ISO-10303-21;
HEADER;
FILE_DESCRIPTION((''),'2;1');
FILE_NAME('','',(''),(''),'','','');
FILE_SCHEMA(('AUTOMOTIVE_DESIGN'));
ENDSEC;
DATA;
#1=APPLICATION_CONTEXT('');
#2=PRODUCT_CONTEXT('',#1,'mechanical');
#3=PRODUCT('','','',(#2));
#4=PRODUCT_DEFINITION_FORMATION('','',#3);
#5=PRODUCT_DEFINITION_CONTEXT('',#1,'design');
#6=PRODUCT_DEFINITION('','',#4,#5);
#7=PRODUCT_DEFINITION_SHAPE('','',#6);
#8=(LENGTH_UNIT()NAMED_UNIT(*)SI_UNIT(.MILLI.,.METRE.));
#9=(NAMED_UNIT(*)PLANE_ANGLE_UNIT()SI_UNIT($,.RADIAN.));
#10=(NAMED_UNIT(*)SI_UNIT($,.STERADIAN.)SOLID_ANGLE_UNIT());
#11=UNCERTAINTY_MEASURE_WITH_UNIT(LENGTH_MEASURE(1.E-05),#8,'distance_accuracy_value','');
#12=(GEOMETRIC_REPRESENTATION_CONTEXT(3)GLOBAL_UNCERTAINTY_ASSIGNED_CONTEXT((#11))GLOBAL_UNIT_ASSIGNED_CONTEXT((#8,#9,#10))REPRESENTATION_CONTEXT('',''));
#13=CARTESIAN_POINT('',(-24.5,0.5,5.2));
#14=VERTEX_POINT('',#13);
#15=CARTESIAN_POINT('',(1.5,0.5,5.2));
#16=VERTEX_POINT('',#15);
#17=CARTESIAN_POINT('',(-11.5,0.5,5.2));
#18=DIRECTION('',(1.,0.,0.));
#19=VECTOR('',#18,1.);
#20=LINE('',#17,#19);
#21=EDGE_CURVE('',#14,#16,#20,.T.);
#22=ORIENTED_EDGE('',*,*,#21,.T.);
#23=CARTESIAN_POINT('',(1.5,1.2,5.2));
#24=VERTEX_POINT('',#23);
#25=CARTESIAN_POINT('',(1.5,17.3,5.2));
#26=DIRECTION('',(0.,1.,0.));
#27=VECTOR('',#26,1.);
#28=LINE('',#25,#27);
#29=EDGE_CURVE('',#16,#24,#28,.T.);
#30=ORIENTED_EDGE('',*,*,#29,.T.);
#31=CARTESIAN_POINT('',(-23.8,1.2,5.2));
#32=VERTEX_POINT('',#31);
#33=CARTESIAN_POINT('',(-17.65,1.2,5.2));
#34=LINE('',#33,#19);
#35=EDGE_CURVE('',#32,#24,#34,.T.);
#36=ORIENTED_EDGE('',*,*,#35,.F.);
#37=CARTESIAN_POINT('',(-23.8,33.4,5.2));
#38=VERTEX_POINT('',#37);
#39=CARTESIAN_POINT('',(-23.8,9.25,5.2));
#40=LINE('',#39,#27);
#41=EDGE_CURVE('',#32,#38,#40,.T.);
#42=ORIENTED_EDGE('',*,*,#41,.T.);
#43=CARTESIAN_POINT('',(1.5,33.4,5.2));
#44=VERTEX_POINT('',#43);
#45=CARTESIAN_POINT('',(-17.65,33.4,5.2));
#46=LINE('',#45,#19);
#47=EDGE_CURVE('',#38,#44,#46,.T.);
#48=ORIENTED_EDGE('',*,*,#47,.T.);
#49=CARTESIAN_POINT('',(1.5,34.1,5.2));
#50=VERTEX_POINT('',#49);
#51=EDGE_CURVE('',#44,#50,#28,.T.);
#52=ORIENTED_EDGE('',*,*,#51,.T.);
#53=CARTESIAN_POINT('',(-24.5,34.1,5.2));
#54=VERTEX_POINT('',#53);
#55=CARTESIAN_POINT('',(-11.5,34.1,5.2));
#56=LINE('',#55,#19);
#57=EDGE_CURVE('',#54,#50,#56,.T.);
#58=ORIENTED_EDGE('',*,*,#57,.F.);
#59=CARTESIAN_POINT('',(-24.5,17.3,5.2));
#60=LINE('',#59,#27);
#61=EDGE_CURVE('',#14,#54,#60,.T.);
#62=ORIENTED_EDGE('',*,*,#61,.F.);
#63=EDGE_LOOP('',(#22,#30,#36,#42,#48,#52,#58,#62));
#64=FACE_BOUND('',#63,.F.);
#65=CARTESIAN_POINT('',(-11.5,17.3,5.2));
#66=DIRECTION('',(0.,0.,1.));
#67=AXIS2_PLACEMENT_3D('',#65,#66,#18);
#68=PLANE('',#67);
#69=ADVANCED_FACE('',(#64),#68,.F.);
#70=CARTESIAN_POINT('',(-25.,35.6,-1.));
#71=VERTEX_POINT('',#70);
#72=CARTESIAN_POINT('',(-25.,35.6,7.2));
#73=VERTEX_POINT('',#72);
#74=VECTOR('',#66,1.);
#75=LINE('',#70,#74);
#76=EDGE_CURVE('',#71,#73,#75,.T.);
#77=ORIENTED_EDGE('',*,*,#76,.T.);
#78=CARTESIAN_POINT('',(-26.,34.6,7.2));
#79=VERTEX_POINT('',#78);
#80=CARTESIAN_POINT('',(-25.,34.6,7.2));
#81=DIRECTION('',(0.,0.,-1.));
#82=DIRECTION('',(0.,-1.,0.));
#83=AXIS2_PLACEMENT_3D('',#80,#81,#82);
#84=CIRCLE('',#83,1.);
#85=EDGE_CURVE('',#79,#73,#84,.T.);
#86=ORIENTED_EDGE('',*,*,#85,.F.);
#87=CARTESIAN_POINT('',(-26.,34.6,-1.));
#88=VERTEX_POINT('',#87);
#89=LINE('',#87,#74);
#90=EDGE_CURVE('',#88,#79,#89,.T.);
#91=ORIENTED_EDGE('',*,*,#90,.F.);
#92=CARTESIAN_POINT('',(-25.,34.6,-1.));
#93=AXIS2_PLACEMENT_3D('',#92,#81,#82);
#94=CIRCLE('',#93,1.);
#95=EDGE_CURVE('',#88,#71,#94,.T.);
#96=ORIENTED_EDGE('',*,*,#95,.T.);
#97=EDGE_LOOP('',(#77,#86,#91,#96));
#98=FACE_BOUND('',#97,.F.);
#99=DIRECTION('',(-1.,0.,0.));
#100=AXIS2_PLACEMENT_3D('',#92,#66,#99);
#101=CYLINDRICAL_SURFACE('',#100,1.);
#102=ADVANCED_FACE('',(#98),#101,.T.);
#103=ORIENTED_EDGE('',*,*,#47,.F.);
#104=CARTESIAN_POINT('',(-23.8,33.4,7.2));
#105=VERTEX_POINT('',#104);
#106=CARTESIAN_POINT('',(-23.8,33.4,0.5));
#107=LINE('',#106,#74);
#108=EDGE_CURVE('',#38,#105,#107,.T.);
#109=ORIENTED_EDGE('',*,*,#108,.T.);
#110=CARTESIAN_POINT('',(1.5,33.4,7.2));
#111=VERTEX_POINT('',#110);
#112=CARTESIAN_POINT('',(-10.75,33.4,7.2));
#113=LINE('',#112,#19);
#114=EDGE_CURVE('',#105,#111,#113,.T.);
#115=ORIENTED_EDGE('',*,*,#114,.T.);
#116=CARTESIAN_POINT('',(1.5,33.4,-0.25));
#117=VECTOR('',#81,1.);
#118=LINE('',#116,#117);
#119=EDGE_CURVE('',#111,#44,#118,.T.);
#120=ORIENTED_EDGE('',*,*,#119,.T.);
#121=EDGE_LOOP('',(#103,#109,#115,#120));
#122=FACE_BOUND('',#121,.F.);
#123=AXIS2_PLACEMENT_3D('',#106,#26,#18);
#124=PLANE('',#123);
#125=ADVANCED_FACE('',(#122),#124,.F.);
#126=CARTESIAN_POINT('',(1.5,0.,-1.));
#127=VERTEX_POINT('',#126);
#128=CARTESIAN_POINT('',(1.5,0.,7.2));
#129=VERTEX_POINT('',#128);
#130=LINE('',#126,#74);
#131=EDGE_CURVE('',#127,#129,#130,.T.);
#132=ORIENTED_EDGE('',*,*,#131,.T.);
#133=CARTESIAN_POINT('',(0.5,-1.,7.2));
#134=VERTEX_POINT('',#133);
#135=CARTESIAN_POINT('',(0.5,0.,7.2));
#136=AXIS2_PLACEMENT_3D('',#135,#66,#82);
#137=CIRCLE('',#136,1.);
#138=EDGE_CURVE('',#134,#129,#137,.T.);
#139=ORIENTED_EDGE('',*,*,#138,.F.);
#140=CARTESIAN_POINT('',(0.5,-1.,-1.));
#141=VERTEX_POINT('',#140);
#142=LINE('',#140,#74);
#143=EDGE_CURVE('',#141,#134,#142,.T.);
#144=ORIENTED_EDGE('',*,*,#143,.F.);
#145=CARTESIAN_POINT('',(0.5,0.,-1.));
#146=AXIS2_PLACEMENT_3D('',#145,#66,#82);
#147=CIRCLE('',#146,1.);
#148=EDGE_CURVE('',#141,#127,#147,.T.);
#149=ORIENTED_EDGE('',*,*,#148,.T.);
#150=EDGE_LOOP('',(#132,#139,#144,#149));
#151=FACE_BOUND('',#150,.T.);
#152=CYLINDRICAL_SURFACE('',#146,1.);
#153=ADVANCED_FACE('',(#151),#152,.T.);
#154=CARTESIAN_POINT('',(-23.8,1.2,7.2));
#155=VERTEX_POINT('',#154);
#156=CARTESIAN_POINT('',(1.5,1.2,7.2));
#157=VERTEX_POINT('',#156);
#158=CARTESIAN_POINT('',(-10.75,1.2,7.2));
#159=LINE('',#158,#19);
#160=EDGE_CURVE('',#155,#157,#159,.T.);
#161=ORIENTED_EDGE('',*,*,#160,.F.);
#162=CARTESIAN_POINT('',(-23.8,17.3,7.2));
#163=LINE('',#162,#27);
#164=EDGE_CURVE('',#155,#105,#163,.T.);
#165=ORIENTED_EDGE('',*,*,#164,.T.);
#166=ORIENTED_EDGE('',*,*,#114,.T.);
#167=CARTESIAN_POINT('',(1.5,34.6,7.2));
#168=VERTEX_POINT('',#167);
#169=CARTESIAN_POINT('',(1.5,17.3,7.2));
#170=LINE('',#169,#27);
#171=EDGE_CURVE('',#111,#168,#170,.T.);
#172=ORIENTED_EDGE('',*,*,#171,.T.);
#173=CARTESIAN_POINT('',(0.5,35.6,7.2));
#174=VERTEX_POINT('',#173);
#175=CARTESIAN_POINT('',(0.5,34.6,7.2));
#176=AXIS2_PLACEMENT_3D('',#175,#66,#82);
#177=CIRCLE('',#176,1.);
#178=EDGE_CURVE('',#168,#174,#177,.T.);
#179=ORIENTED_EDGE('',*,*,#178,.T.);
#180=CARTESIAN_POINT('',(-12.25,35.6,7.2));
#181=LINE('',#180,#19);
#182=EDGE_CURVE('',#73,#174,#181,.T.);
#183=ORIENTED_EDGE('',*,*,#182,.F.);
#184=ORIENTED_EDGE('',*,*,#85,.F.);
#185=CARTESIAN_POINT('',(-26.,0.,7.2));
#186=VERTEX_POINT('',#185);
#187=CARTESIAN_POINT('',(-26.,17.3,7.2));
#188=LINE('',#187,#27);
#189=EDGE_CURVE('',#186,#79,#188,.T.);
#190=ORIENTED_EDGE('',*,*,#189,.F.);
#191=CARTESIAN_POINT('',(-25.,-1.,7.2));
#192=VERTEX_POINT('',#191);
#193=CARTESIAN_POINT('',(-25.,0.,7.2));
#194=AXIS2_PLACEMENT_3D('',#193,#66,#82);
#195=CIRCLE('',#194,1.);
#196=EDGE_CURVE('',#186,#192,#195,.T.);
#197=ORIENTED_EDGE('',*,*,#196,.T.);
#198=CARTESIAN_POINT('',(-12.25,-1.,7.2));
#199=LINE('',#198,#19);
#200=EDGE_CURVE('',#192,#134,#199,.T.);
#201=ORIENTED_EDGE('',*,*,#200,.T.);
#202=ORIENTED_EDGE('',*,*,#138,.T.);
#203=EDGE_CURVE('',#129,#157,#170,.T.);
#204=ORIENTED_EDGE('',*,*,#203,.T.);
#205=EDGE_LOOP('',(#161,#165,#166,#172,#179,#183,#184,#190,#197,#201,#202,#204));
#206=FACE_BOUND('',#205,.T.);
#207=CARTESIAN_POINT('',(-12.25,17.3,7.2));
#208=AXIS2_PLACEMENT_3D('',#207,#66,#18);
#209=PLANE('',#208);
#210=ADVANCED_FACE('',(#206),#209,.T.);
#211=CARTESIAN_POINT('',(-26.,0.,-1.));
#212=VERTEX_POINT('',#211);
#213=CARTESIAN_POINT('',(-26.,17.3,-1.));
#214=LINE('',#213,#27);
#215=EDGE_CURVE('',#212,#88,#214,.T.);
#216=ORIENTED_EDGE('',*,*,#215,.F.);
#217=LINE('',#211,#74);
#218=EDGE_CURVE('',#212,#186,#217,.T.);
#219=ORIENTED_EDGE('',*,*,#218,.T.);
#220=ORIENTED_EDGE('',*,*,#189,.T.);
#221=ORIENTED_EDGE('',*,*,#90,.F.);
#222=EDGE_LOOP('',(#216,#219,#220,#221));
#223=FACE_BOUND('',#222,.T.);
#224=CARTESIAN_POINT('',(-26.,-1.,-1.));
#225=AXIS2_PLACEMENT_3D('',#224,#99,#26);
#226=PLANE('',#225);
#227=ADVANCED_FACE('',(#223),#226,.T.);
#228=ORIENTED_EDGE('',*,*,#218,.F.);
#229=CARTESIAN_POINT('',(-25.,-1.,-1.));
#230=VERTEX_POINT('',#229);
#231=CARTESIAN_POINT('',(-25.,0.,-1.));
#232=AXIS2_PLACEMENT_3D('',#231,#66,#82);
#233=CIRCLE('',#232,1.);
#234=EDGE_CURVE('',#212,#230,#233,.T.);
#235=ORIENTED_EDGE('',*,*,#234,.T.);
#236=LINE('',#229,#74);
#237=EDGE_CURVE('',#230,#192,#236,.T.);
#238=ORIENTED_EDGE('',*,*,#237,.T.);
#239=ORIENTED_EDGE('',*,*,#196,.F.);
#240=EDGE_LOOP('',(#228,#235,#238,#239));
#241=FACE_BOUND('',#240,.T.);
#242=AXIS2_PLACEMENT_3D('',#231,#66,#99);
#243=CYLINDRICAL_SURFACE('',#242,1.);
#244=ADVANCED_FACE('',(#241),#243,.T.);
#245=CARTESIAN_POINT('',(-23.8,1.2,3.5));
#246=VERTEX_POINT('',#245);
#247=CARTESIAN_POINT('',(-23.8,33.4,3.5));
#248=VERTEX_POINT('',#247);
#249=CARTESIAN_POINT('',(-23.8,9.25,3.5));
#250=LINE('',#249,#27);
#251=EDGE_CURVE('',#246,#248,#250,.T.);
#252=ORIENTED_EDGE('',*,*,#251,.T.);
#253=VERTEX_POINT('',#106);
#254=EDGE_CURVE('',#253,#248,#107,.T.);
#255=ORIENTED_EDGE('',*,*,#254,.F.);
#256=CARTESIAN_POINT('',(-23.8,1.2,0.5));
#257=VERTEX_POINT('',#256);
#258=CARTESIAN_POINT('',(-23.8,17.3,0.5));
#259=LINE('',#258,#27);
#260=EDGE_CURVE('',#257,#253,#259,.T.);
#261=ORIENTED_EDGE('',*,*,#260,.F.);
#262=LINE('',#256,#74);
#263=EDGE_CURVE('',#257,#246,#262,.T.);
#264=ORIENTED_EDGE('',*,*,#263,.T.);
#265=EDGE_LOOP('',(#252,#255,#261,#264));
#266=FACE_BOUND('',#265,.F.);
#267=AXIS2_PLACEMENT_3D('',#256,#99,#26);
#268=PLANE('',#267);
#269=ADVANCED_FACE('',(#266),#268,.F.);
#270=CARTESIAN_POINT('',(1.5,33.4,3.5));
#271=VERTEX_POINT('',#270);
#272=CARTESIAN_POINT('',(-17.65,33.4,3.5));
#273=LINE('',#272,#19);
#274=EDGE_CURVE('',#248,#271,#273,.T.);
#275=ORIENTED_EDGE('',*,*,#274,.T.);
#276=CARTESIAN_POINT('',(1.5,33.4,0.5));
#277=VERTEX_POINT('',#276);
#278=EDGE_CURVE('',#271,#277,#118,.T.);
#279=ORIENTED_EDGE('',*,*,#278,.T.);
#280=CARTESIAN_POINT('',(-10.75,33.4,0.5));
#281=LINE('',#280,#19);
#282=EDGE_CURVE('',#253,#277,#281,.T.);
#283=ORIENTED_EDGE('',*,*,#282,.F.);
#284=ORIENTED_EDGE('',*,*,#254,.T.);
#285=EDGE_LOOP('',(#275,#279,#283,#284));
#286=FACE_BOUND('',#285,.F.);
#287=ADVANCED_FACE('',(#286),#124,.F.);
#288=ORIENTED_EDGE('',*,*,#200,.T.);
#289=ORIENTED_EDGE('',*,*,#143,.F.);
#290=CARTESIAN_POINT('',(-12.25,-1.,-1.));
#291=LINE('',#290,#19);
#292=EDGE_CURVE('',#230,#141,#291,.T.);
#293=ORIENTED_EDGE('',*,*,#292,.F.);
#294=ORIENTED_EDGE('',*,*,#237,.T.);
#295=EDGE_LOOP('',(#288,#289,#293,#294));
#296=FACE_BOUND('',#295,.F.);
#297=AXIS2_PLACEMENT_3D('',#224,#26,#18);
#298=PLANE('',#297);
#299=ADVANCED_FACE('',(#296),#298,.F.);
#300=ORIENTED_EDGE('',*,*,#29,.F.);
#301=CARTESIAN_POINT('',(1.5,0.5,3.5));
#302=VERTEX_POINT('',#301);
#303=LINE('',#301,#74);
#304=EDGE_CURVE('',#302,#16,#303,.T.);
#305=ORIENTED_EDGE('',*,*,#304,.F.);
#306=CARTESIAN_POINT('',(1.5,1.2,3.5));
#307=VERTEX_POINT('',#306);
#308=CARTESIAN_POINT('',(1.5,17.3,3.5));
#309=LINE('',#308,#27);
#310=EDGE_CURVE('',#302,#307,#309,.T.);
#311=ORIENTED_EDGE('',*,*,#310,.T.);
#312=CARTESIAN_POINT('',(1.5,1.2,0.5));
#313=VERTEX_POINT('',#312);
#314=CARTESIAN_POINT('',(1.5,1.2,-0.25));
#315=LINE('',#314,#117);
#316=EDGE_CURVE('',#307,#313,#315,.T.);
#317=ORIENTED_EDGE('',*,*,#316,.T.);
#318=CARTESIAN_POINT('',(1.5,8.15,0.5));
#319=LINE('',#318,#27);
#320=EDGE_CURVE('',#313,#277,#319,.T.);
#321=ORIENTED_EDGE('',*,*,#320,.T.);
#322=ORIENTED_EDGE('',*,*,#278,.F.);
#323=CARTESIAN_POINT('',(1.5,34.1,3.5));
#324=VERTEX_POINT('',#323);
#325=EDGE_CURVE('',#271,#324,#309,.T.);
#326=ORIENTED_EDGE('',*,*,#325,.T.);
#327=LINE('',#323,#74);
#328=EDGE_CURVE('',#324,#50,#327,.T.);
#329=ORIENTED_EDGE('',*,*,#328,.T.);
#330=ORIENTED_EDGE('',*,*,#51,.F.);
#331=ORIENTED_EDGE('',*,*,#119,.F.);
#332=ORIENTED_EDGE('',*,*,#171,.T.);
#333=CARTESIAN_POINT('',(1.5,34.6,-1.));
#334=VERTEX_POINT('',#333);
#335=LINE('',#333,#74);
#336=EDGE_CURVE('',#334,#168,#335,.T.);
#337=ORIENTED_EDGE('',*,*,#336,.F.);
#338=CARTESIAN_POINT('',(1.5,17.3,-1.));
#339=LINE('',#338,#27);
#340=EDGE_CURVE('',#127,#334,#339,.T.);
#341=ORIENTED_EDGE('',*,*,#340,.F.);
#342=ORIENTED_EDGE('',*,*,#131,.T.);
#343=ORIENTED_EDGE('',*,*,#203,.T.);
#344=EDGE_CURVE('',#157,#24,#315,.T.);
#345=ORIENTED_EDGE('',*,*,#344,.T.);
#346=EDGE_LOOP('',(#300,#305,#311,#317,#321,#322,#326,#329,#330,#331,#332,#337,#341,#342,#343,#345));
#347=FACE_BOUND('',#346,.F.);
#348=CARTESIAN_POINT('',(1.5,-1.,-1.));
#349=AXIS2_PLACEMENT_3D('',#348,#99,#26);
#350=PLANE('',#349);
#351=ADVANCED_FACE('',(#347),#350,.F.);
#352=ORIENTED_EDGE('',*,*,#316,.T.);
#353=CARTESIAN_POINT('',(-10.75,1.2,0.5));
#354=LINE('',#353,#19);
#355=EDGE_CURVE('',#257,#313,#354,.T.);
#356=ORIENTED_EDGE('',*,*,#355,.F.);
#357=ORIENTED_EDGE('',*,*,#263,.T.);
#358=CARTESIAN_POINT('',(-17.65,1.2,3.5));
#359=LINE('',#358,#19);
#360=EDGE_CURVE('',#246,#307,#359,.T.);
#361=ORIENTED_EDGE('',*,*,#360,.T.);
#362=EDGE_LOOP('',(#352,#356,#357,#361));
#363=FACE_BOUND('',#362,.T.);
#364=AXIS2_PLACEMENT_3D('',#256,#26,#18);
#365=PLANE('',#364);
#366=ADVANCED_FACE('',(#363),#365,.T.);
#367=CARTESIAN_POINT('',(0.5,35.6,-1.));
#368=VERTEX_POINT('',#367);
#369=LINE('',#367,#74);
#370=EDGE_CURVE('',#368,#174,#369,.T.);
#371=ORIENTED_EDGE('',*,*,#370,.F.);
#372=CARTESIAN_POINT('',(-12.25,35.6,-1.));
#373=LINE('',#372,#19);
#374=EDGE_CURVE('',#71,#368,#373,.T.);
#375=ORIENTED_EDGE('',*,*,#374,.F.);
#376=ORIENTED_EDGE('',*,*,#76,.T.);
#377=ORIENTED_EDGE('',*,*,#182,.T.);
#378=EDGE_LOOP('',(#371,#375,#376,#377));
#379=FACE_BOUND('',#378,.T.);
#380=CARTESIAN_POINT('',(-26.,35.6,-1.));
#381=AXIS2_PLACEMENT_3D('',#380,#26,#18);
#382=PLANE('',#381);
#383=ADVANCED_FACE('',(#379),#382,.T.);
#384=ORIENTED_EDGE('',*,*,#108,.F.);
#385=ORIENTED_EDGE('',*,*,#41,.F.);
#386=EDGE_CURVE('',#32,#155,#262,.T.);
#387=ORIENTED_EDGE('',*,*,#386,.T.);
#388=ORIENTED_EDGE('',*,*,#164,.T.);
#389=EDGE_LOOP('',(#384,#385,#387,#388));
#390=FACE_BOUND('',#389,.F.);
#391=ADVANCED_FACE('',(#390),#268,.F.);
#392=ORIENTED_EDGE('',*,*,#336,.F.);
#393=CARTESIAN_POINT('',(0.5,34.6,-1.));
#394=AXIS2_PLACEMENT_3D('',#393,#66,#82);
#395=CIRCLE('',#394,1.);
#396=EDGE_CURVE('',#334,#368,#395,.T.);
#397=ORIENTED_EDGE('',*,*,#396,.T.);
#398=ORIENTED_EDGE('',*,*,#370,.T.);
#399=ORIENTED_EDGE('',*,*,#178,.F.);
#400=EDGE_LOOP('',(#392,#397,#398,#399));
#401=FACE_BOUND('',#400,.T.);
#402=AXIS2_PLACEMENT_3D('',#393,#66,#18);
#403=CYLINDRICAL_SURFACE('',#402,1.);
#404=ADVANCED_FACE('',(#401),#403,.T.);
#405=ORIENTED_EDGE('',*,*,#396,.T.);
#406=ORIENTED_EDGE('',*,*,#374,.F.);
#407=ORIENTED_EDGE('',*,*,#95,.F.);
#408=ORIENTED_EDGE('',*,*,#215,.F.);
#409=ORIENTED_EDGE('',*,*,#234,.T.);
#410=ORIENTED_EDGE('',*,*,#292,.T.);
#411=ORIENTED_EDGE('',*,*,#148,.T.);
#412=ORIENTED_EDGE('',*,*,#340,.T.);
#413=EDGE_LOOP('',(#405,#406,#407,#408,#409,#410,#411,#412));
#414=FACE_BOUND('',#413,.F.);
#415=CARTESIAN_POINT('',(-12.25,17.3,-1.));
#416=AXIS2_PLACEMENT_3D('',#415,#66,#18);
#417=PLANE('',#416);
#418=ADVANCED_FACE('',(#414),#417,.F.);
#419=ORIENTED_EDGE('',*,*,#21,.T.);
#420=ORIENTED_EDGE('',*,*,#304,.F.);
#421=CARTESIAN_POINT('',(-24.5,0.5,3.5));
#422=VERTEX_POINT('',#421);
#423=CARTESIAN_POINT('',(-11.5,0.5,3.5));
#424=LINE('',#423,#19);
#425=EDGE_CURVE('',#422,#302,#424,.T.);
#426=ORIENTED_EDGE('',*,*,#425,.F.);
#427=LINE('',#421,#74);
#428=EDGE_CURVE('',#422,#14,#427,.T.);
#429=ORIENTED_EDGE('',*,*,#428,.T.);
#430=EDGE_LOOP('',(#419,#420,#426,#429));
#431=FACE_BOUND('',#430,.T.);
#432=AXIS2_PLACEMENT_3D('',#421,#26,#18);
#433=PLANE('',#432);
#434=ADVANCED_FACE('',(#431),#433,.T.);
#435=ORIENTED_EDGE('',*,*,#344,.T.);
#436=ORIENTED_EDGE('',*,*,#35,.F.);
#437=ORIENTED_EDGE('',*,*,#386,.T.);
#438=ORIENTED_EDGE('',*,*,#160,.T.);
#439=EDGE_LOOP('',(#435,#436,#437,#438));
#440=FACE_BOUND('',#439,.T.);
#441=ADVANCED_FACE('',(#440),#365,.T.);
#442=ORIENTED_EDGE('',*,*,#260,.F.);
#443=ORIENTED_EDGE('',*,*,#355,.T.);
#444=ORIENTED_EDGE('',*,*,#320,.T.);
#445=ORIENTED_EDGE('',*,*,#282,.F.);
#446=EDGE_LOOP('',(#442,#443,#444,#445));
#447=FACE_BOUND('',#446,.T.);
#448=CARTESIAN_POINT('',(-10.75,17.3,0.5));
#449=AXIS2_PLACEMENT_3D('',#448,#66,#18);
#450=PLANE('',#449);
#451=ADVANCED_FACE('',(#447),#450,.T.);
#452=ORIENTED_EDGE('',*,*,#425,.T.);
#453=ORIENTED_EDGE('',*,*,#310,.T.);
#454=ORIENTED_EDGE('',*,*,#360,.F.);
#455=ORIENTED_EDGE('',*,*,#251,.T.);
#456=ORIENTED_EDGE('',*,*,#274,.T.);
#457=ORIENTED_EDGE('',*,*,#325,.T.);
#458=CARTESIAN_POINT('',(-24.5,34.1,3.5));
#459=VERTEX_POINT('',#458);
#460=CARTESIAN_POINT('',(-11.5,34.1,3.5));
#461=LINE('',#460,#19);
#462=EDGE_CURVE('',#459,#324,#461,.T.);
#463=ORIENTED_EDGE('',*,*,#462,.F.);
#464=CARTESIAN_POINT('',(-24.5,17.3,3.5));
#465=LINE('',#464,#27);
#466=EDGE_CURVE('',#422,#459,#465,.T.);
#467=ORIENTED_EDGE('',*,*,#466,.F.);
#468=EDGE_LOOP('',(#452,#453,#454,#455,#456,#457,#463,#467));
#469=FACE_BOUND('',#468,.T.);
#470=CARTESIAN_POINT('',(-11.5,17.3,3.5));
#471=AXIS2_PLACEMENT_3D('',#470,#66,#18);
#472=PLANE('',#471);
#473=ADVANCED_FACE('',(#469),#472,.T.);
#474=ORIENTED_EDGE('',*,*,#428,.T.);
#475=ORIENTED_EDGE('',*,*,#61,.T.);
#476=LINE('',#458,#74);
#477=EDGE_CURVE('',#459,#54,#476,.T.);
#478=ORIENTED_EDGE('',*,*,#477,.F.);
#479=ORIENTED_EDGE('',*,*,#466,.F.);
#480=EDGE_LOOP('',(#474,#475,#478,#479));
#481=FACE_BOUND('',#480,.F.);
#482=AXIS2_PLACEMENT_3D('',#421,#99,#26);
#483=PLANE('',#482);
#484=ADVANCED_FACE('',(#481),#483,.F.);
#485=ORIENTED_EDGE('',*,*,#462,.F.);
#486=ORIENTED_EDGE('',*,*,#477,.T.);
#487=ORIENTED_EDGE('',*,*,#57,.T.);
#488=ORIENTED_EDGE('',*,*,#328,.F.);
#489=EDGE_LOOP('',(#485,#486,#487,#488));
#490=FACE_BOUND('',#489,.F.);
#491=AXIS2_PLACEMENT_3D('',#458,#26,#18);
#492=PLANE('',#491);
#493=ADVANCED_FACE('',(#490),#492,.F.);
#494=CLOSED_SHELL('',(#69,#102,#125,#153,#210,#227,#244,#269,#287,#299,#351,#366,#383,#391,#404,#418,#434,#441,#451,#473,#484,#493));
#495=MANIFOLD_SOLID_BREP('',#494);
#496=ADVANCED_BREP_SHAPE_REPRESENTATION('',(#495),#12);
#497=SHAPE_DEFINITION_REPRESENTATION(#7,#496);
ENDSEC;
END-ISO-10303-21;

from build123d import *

# Parameters (mm, degrees)
BOX027_W     = 26
BOX027_H     = 33.6
BOX027_DEPTH = 1.7
BOX026_W     = 26.1
BOX026_H     = 32.2
BOX026_DEPTH = 6.7
BOX025_W     = 27.5
BOX025_H     = 36.6
BOX025_DEPTH = 8.2
FILLET001_R  = 1


with BuildPart() as pcb_extract_cube001:
    # Box027 → Box027 (new body)
    with BuildSketch(Plane(origin=(1.5, 1.5, 4.5), x_dir=(1, 0, 0), z_dir=(0, 0, 1))):
        with Locations((13, 16.8)):
            Rectangle(BOX027_W, BOX027_H)
    extrude(amount=BOX027_DEPTH)


with BuildPart() as extract_fusion001:
    # Box026 → Box026 (new body)
    with BuildSketch(Plane(origin=(2.2, 2.2, 1.5), x_dir=(1, 0, 0), z_dir=(0, 0, 1))):
        with Locations((13.05, 16.1)):
            Rectangle(BOX026_W, BOX026_H)
    extrude(amount=BOX026_DEPTH)

    # Fusion003: union pcb extract cube001
    add(pcb_extract_cube001.part)


with BuildPart() as lion_manager_cut:
    # Box025 → Box025 (new body)
    with BuildSketch(Plane.XY):
        with Locations((13.75, 18.3)):
            Rectangle(BOX025_W, BOX025_H)
    extrude(amount=BOX025_DEPTH)

    # Fillet001
    fillet001_edges = [lion_manager_cut.edges().sort_by_distance(p)[0] for p in [
        (0, 0, 4.1),
        (0, 36.6, 4.1),
        (27.5, 0, 4.1),
        (27.5, 36.6, 4.1),
    ]]
    fillet(fillet001_edges, radius=FILLET001_R)

    # Cut002: cut extract fusion001
    add(extract_fusion001.part, mode=Mode.SUBTRACT)


with BuildPart() as lion_manager_cut_1:
    # Cut002 placement: moved
    add(lion_manager_cut.part.moved(Location((-26, -1, -1))))


solid = lion_manager_cut_1.part
